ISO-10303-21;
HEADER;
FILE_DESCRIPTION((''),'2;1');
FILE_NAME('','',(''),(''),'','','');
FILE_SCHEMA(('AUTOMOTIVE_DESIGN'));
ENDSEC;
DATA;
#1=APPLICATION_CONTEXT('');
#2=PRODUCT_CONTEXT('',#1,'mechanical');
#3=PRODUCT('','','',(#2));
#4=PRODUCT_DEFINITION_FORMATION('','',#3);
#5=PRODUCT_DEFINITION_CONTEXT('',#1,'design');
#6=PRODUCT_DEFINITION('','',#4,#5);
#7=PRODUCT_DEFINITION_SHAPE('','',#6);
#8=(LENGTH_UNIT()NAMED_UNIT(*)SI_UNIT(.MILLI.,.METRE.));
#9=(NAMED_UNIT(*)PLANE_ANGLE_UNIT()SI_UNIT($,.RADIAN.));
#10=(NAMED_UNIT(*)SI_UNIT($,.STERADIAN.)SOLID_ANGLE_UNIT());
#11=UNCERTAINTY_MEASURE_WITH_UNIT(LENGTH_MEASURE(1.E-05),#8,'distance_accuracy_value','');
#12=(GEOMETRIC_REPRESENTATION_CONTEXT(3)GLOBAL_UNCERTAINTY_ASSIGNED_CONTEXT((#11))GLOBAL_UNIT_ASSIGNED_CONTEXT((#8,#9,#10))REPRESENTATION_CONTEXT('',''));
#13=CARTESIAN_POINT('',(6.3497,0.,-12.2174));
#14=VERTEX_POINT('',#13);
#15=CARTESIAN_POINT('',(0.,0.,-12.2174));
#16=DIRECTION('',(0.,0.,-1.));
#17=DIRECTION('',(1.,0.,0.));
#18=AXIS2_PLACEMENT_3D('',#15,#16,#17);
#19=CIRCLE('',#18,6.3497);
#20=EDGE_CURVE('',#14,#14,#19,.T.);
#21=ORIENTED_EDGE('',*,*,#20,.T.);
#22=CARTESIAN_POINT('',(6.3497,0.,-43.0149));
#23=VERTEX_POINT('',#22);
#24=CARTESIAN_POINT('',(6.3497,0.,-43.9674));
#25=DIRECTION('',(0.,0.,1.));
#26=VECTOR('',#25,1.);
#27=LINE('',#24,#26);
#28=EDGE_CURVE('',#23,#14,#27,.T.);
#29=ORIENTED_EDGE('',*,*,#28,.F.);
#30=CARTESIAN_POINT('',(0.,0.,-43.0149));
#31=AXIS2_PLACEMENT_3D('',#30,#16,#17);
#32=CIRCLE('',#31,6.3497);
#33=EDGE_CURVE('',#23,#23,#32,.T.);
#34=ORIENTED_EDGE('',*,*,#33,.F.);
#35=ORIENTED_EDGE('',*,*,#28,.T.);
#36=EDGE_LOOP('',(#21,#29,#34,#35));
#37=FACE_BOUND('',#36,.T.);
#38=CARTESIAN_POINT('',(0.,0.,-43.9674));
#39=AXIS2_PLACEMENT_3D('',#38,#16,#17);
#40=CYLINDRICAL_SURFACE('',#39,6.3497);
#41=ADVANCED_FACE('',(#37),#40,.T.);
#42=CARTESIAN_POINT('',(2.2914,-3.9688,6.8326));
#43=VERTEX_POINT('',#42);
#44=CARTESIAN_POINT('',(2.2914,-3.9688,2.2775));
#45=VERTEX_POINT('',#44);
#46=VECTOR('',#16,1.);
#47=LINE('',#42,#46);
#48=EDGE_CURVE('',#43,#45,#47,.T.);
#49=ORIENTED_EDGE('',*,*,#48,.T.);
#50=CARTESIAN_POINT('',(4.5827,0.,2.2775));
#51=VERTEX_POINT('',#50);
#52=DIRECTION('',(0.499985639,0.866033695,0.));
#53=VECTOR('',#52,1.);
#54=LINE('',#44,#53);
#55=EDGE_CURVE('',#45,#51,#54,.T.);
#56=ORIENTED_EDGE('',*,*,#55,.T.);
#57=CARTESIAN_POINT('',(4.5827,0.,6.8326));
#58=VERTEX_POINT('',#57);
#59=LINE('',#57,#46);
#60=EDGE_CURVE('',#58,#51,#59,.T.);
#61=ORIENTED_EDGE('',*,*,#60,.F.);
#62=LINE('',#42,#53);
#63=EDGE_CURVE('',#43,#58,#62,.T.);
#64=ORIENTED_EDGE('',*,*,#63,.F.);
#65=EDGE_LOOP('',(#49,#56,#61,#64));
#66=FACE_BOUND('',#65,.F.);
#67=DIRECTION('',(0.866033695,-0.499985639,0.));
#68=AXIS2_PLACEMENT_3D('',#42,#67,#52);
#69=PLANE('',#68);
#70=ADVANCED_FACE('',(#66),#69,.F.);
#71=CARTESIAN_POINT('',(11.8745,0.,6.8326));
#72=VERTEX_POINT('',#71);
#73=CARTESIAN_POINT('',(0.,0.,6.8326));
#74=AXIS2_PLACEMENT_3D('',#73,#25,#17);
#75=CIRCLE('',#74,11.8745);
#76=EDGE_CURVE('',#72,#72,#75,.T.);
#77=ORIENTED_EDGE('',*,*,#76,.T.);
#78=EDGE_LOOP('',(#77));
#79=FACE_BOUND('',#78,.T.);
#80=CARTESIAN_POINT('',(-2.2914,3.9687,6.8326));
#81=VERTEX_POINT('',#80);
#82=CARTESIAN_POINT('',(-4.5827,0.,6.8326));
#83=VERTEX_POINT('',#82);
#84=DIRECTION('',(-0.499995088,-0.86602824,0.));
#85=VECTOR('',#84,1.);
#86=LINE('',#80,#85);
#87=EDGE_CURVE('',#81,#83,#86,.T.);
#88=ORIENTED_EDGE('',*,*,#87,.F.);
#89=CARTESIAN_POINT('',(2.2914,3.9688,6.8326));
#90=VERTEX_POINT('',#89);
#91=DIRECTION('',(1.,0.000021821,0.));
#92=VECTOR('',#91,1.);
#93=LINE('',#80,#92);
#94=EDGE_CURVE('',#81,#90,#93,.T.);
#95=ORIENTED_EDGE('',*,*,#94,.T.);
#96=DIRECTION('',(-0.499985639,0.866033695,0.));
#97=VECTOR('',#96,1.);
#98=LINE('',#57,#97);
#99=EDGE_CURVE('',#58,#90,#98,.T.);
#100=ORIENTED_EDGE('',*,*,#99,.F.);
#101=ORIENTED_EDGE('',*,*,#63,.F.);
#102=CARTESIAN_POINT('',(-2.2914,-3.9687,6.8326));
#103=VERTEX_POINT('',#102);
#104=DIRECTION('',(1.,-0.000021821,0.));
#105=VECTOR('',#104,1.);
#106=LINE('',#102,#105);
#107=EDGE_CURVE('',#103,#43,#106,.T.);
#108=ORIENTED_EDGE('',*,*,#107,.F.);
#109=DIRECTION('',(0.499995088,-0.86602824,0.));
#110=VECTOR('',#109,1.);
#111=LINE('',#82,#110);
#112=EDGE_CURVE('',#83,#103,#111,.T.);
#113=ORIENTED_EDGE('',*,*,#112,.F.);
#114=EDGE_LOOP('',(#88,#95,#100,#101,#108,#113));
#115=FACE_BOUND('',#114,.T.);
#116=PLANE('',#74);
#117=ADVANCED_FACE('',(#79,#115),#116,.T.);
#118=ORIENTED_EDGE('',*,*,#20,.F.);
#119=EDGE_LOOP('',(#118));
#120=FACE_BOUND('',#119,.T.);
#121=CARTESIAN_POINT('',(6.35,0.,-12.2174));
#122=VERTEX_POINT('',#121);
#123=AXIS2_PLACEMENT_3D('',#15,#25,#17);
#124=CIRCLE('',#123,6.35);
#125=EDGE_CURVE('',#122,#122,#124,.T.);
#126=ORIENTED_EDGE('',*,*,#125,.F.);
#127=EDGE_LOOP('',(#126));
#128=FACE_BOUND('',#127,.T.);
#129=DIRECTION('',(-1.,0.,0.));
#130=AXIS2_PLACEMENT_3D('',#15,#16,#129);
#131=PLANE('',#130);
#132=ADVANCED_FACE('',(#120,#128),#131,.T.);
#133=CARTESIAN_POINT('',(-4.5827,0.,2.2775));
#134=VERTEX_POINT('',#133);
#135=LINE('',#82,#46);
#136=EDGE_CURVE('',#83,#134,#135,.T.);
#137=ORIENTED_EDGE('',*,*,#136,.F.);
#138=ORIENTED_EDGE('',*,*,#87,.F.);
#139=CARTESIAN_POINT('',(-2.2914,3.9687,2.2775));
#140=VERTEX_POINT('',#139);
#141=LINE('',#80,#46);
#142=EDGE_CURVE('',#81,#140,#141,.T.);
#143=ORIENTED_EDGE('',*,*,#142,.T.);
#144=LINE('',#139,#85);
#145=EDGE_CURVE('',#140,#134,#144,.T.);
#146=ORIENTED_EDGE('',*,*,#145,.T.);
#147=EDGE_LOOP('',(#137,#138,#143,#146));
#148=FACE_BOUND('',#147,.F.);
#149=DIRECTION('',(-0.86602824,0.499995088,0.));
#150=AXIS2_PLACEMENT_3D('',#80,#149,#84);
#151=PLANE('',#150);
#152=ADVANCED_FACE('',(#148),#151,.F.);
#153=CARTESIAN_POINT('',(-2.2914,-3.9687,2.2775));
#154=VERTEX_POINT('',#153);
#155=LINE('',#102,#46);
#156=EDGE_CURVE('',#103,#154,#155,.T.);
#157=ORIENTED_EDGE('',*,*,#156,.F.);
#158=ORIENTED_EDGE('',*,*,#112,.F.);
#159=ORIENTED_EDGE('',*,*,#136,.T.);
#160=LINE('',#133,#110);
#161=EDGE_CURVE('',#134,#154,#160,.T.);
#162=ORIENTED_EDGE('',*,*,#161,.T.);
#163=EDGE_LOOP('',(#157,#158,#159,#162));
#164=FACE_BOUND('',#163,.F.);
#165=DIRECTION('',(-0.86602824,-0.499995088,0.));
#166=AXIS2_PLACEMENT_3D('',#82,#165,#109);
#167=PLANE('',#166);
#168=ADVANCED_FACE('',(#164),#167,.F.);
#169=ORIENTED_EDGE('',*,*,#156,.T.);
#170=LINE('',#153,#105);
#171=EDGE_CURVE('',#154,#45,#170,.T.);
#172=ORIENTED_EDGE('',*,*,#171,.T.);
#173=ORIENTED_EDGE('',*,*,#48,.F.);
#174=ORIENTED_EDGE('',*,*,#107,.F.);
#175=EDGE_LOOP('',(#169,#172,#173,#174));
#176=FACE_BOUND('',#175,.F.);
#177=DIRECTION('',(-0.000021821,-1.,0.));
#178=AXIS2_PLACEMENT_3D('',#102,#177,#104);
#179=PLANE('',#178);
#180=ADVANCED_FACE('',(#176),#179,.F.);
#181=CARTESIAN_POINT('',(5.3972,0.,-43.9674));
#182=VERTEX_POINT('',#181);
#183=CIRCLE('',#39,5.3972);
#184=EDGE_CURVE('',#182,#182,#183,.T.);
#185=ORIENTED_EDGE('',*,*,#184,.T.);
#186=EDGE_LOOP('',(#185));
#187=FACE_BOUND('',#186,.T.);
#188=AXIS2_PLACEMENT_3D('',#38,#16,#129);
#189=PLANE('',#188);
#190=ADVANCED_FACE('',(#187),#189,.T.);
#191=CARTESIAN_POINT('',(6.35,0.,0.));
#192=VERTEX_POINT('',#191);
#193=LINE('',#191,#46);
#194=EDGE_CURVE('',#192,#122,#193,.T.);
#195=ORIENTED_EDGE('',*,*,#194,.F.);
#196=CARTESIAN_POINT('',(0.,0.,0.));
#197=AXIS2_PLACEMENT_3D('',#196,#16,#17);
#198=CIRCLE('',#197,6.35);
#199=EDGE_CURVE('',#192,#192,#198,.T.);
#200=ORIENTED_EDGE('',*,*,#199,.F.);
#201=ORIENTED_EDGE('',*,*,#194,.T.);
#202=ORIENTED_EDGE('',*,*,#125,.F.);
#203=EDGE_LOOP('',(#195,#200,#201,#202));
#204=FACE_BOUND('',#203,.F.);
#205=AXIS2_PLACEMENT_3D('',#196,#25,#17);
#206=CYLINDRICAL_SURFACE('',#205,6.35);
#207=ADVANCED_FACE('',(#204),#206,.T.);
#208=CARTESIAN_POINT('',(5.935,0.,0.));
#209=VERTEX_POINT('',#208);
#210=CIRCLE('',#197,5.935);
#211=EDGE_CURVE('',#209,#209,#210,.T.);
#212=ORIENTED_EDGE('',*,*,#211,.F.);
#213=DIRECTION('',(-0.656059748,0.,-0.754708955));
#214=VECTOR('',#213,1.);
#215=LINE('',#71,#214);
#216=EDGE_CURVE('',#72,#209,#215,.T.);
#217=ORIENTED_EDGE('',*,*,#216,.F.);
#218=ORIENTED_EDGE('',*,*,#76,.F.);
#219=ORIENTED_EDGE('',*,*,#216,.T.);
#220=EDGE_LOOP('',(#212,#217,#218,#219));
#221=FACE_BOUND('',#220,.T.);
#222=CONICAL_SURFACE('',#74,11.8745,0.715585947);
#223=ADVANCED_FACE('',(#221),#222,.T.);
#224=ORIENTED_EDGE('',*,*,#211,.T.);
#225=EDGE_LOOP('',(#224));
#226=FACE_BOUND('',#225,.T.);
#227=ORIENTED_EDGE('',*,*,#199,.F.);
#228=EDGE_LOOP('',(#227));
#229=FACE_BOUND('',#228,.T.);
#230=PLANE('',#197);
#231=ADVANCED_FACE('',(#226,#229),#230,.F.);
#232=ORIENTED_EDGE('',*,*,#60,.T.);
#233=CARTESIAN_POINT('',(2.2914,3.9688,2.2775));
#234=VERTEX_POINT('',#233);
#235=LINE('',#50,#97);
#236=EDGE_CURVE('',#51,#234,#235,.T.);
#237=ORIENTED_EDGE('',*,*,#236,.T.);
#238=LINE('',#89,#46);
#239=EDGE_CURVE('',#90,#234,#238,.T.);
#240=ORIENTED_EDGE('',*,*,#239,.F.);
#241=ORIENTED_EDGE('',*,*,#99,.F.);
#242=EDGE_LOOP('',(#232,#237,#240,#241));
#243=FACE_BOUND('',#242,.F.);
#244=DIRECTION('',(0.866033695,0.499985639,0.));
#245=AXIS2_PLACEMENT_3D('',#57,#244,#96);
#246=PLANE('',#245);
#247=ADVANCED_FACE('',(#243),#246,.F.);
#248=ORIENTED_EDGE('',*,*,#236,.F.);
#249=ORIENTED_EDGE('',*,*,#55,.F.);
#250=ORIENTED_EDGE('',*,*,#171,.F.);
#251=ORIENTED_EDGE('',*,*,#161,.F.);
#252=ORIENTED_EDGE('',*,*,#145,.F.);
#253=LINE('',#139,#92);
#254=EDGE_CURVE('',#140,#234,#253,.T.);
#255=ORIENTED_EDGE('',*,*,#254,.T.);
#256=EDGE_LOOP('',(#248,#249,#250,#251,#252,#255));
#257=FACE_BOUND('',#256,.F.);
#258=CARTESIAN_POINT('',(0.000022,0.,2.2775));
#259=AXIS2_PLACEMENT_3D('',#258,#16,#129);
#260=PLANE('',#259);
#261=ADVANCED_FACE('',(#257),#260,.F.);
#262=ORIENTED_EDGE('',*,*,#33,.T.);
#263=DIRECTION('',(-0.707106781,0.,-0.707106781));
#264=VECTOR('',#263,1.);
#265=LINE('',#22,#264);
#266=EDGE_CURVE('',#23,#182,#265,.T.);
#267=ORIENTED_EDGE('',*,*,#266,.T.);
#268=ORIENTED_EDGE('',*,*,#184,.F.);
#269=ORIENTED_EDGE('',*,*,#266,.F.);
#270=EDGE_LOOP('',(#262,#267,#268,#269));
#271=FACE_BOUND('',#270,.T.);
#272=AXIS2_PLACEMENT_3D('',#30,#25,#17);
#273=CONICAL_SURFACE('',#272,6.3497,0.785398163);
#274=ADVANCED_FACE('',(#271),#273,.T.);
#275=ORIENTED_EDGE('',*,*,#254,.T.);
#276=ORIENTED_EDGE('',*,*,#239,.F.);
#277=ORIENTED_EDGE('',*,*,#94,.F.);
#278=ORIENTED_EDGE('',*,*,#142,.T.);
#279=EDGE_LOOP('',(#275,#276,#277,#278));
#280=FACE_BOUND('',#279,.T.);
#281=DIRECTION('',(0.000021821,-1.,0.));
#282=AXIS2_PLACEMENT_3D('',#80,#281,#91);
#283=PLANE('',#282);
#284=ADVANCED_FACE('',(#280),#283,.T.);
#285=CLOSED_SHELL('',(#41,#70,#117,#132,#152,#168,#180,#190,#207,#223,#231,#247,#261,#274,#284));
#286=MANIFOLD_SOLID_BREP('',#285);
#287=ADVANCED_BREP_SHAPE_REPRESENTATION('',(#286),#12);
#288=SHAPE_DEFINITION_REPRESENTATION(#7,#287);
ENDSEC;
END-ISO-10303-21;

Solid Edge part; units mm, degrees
sketch "Sketch1" plane through (0, 0, 0) normal (0, 0, 1) x (1, 0, 0)
  circle A0 centre (0, 0) radius 11.8745
  dimension "D1" = 23.749
extrude "Protrusion1" add sketch "Sketch1" along normal blind 6.8326
sketch "Sketch2" plane through (0, 0, 0) normal (0, 0, -1) x (1, 0, 0)
  circle A0 centre (0, 0) radius 6.35
extrude "Protrusion2" add sketch "Sketch2" along normal blind 43.9674
sketch "Sketch3" plane through (0, 0, -43.9674) normal (0, 0, -1) x (1, 0, 0)
  circle A0 centre (0, 0) radius 6.3497
extrude "Cutout1" cut sketch "Sketch3" against normal blind 31.75 flip side to cut
chamfer "Chamfer_1" distance 0.9525 angle 45 1 edges at (-6.3497, 0, -43.9674)
sketch "Sketch4" plane through (0, 0, 6.8326) normal (0, 0, 1) x (1, 0, 0)
  line L0 (-2.2914, 3.9687) -> (2.2914, 3.9688)
  line L1 (4.5827, 0) -> (2.2914, 3.9688)
  line L2 (2.2914, -3.9688) -> (4.5827, 0)
  line L3 (-2.2914, -3.9687) -> (2.2914, -3.9688)
  line L4 (-4.5827, 0) -> (-2.2914, -3.9688)
  line L5 (-2.2914, 3.9688) -> (-4.5827, 0)
  dimension "D1" = 7.9375
extrude "Cutout2" cut sketch "Sketch4" against normal blind 4.5551
sketch "Sketch5" plane through (0, 0, 0) normal (0, -1, 0) x (1, 0, 0)
  line L0 (11.8745, 6.8326) -> (5.935, 0)
  line L1 (5.935, 0) -> (11.8745, 0)
  line L2 (11.8745, 0) -> (11.8745, 6.8326)
revolve "RevolvedCutout1" cut sketch "Sketch5" angle 360 about axis through (0, 0, 14.0017) along (0, 0, -1)
properties part number "24105971"
